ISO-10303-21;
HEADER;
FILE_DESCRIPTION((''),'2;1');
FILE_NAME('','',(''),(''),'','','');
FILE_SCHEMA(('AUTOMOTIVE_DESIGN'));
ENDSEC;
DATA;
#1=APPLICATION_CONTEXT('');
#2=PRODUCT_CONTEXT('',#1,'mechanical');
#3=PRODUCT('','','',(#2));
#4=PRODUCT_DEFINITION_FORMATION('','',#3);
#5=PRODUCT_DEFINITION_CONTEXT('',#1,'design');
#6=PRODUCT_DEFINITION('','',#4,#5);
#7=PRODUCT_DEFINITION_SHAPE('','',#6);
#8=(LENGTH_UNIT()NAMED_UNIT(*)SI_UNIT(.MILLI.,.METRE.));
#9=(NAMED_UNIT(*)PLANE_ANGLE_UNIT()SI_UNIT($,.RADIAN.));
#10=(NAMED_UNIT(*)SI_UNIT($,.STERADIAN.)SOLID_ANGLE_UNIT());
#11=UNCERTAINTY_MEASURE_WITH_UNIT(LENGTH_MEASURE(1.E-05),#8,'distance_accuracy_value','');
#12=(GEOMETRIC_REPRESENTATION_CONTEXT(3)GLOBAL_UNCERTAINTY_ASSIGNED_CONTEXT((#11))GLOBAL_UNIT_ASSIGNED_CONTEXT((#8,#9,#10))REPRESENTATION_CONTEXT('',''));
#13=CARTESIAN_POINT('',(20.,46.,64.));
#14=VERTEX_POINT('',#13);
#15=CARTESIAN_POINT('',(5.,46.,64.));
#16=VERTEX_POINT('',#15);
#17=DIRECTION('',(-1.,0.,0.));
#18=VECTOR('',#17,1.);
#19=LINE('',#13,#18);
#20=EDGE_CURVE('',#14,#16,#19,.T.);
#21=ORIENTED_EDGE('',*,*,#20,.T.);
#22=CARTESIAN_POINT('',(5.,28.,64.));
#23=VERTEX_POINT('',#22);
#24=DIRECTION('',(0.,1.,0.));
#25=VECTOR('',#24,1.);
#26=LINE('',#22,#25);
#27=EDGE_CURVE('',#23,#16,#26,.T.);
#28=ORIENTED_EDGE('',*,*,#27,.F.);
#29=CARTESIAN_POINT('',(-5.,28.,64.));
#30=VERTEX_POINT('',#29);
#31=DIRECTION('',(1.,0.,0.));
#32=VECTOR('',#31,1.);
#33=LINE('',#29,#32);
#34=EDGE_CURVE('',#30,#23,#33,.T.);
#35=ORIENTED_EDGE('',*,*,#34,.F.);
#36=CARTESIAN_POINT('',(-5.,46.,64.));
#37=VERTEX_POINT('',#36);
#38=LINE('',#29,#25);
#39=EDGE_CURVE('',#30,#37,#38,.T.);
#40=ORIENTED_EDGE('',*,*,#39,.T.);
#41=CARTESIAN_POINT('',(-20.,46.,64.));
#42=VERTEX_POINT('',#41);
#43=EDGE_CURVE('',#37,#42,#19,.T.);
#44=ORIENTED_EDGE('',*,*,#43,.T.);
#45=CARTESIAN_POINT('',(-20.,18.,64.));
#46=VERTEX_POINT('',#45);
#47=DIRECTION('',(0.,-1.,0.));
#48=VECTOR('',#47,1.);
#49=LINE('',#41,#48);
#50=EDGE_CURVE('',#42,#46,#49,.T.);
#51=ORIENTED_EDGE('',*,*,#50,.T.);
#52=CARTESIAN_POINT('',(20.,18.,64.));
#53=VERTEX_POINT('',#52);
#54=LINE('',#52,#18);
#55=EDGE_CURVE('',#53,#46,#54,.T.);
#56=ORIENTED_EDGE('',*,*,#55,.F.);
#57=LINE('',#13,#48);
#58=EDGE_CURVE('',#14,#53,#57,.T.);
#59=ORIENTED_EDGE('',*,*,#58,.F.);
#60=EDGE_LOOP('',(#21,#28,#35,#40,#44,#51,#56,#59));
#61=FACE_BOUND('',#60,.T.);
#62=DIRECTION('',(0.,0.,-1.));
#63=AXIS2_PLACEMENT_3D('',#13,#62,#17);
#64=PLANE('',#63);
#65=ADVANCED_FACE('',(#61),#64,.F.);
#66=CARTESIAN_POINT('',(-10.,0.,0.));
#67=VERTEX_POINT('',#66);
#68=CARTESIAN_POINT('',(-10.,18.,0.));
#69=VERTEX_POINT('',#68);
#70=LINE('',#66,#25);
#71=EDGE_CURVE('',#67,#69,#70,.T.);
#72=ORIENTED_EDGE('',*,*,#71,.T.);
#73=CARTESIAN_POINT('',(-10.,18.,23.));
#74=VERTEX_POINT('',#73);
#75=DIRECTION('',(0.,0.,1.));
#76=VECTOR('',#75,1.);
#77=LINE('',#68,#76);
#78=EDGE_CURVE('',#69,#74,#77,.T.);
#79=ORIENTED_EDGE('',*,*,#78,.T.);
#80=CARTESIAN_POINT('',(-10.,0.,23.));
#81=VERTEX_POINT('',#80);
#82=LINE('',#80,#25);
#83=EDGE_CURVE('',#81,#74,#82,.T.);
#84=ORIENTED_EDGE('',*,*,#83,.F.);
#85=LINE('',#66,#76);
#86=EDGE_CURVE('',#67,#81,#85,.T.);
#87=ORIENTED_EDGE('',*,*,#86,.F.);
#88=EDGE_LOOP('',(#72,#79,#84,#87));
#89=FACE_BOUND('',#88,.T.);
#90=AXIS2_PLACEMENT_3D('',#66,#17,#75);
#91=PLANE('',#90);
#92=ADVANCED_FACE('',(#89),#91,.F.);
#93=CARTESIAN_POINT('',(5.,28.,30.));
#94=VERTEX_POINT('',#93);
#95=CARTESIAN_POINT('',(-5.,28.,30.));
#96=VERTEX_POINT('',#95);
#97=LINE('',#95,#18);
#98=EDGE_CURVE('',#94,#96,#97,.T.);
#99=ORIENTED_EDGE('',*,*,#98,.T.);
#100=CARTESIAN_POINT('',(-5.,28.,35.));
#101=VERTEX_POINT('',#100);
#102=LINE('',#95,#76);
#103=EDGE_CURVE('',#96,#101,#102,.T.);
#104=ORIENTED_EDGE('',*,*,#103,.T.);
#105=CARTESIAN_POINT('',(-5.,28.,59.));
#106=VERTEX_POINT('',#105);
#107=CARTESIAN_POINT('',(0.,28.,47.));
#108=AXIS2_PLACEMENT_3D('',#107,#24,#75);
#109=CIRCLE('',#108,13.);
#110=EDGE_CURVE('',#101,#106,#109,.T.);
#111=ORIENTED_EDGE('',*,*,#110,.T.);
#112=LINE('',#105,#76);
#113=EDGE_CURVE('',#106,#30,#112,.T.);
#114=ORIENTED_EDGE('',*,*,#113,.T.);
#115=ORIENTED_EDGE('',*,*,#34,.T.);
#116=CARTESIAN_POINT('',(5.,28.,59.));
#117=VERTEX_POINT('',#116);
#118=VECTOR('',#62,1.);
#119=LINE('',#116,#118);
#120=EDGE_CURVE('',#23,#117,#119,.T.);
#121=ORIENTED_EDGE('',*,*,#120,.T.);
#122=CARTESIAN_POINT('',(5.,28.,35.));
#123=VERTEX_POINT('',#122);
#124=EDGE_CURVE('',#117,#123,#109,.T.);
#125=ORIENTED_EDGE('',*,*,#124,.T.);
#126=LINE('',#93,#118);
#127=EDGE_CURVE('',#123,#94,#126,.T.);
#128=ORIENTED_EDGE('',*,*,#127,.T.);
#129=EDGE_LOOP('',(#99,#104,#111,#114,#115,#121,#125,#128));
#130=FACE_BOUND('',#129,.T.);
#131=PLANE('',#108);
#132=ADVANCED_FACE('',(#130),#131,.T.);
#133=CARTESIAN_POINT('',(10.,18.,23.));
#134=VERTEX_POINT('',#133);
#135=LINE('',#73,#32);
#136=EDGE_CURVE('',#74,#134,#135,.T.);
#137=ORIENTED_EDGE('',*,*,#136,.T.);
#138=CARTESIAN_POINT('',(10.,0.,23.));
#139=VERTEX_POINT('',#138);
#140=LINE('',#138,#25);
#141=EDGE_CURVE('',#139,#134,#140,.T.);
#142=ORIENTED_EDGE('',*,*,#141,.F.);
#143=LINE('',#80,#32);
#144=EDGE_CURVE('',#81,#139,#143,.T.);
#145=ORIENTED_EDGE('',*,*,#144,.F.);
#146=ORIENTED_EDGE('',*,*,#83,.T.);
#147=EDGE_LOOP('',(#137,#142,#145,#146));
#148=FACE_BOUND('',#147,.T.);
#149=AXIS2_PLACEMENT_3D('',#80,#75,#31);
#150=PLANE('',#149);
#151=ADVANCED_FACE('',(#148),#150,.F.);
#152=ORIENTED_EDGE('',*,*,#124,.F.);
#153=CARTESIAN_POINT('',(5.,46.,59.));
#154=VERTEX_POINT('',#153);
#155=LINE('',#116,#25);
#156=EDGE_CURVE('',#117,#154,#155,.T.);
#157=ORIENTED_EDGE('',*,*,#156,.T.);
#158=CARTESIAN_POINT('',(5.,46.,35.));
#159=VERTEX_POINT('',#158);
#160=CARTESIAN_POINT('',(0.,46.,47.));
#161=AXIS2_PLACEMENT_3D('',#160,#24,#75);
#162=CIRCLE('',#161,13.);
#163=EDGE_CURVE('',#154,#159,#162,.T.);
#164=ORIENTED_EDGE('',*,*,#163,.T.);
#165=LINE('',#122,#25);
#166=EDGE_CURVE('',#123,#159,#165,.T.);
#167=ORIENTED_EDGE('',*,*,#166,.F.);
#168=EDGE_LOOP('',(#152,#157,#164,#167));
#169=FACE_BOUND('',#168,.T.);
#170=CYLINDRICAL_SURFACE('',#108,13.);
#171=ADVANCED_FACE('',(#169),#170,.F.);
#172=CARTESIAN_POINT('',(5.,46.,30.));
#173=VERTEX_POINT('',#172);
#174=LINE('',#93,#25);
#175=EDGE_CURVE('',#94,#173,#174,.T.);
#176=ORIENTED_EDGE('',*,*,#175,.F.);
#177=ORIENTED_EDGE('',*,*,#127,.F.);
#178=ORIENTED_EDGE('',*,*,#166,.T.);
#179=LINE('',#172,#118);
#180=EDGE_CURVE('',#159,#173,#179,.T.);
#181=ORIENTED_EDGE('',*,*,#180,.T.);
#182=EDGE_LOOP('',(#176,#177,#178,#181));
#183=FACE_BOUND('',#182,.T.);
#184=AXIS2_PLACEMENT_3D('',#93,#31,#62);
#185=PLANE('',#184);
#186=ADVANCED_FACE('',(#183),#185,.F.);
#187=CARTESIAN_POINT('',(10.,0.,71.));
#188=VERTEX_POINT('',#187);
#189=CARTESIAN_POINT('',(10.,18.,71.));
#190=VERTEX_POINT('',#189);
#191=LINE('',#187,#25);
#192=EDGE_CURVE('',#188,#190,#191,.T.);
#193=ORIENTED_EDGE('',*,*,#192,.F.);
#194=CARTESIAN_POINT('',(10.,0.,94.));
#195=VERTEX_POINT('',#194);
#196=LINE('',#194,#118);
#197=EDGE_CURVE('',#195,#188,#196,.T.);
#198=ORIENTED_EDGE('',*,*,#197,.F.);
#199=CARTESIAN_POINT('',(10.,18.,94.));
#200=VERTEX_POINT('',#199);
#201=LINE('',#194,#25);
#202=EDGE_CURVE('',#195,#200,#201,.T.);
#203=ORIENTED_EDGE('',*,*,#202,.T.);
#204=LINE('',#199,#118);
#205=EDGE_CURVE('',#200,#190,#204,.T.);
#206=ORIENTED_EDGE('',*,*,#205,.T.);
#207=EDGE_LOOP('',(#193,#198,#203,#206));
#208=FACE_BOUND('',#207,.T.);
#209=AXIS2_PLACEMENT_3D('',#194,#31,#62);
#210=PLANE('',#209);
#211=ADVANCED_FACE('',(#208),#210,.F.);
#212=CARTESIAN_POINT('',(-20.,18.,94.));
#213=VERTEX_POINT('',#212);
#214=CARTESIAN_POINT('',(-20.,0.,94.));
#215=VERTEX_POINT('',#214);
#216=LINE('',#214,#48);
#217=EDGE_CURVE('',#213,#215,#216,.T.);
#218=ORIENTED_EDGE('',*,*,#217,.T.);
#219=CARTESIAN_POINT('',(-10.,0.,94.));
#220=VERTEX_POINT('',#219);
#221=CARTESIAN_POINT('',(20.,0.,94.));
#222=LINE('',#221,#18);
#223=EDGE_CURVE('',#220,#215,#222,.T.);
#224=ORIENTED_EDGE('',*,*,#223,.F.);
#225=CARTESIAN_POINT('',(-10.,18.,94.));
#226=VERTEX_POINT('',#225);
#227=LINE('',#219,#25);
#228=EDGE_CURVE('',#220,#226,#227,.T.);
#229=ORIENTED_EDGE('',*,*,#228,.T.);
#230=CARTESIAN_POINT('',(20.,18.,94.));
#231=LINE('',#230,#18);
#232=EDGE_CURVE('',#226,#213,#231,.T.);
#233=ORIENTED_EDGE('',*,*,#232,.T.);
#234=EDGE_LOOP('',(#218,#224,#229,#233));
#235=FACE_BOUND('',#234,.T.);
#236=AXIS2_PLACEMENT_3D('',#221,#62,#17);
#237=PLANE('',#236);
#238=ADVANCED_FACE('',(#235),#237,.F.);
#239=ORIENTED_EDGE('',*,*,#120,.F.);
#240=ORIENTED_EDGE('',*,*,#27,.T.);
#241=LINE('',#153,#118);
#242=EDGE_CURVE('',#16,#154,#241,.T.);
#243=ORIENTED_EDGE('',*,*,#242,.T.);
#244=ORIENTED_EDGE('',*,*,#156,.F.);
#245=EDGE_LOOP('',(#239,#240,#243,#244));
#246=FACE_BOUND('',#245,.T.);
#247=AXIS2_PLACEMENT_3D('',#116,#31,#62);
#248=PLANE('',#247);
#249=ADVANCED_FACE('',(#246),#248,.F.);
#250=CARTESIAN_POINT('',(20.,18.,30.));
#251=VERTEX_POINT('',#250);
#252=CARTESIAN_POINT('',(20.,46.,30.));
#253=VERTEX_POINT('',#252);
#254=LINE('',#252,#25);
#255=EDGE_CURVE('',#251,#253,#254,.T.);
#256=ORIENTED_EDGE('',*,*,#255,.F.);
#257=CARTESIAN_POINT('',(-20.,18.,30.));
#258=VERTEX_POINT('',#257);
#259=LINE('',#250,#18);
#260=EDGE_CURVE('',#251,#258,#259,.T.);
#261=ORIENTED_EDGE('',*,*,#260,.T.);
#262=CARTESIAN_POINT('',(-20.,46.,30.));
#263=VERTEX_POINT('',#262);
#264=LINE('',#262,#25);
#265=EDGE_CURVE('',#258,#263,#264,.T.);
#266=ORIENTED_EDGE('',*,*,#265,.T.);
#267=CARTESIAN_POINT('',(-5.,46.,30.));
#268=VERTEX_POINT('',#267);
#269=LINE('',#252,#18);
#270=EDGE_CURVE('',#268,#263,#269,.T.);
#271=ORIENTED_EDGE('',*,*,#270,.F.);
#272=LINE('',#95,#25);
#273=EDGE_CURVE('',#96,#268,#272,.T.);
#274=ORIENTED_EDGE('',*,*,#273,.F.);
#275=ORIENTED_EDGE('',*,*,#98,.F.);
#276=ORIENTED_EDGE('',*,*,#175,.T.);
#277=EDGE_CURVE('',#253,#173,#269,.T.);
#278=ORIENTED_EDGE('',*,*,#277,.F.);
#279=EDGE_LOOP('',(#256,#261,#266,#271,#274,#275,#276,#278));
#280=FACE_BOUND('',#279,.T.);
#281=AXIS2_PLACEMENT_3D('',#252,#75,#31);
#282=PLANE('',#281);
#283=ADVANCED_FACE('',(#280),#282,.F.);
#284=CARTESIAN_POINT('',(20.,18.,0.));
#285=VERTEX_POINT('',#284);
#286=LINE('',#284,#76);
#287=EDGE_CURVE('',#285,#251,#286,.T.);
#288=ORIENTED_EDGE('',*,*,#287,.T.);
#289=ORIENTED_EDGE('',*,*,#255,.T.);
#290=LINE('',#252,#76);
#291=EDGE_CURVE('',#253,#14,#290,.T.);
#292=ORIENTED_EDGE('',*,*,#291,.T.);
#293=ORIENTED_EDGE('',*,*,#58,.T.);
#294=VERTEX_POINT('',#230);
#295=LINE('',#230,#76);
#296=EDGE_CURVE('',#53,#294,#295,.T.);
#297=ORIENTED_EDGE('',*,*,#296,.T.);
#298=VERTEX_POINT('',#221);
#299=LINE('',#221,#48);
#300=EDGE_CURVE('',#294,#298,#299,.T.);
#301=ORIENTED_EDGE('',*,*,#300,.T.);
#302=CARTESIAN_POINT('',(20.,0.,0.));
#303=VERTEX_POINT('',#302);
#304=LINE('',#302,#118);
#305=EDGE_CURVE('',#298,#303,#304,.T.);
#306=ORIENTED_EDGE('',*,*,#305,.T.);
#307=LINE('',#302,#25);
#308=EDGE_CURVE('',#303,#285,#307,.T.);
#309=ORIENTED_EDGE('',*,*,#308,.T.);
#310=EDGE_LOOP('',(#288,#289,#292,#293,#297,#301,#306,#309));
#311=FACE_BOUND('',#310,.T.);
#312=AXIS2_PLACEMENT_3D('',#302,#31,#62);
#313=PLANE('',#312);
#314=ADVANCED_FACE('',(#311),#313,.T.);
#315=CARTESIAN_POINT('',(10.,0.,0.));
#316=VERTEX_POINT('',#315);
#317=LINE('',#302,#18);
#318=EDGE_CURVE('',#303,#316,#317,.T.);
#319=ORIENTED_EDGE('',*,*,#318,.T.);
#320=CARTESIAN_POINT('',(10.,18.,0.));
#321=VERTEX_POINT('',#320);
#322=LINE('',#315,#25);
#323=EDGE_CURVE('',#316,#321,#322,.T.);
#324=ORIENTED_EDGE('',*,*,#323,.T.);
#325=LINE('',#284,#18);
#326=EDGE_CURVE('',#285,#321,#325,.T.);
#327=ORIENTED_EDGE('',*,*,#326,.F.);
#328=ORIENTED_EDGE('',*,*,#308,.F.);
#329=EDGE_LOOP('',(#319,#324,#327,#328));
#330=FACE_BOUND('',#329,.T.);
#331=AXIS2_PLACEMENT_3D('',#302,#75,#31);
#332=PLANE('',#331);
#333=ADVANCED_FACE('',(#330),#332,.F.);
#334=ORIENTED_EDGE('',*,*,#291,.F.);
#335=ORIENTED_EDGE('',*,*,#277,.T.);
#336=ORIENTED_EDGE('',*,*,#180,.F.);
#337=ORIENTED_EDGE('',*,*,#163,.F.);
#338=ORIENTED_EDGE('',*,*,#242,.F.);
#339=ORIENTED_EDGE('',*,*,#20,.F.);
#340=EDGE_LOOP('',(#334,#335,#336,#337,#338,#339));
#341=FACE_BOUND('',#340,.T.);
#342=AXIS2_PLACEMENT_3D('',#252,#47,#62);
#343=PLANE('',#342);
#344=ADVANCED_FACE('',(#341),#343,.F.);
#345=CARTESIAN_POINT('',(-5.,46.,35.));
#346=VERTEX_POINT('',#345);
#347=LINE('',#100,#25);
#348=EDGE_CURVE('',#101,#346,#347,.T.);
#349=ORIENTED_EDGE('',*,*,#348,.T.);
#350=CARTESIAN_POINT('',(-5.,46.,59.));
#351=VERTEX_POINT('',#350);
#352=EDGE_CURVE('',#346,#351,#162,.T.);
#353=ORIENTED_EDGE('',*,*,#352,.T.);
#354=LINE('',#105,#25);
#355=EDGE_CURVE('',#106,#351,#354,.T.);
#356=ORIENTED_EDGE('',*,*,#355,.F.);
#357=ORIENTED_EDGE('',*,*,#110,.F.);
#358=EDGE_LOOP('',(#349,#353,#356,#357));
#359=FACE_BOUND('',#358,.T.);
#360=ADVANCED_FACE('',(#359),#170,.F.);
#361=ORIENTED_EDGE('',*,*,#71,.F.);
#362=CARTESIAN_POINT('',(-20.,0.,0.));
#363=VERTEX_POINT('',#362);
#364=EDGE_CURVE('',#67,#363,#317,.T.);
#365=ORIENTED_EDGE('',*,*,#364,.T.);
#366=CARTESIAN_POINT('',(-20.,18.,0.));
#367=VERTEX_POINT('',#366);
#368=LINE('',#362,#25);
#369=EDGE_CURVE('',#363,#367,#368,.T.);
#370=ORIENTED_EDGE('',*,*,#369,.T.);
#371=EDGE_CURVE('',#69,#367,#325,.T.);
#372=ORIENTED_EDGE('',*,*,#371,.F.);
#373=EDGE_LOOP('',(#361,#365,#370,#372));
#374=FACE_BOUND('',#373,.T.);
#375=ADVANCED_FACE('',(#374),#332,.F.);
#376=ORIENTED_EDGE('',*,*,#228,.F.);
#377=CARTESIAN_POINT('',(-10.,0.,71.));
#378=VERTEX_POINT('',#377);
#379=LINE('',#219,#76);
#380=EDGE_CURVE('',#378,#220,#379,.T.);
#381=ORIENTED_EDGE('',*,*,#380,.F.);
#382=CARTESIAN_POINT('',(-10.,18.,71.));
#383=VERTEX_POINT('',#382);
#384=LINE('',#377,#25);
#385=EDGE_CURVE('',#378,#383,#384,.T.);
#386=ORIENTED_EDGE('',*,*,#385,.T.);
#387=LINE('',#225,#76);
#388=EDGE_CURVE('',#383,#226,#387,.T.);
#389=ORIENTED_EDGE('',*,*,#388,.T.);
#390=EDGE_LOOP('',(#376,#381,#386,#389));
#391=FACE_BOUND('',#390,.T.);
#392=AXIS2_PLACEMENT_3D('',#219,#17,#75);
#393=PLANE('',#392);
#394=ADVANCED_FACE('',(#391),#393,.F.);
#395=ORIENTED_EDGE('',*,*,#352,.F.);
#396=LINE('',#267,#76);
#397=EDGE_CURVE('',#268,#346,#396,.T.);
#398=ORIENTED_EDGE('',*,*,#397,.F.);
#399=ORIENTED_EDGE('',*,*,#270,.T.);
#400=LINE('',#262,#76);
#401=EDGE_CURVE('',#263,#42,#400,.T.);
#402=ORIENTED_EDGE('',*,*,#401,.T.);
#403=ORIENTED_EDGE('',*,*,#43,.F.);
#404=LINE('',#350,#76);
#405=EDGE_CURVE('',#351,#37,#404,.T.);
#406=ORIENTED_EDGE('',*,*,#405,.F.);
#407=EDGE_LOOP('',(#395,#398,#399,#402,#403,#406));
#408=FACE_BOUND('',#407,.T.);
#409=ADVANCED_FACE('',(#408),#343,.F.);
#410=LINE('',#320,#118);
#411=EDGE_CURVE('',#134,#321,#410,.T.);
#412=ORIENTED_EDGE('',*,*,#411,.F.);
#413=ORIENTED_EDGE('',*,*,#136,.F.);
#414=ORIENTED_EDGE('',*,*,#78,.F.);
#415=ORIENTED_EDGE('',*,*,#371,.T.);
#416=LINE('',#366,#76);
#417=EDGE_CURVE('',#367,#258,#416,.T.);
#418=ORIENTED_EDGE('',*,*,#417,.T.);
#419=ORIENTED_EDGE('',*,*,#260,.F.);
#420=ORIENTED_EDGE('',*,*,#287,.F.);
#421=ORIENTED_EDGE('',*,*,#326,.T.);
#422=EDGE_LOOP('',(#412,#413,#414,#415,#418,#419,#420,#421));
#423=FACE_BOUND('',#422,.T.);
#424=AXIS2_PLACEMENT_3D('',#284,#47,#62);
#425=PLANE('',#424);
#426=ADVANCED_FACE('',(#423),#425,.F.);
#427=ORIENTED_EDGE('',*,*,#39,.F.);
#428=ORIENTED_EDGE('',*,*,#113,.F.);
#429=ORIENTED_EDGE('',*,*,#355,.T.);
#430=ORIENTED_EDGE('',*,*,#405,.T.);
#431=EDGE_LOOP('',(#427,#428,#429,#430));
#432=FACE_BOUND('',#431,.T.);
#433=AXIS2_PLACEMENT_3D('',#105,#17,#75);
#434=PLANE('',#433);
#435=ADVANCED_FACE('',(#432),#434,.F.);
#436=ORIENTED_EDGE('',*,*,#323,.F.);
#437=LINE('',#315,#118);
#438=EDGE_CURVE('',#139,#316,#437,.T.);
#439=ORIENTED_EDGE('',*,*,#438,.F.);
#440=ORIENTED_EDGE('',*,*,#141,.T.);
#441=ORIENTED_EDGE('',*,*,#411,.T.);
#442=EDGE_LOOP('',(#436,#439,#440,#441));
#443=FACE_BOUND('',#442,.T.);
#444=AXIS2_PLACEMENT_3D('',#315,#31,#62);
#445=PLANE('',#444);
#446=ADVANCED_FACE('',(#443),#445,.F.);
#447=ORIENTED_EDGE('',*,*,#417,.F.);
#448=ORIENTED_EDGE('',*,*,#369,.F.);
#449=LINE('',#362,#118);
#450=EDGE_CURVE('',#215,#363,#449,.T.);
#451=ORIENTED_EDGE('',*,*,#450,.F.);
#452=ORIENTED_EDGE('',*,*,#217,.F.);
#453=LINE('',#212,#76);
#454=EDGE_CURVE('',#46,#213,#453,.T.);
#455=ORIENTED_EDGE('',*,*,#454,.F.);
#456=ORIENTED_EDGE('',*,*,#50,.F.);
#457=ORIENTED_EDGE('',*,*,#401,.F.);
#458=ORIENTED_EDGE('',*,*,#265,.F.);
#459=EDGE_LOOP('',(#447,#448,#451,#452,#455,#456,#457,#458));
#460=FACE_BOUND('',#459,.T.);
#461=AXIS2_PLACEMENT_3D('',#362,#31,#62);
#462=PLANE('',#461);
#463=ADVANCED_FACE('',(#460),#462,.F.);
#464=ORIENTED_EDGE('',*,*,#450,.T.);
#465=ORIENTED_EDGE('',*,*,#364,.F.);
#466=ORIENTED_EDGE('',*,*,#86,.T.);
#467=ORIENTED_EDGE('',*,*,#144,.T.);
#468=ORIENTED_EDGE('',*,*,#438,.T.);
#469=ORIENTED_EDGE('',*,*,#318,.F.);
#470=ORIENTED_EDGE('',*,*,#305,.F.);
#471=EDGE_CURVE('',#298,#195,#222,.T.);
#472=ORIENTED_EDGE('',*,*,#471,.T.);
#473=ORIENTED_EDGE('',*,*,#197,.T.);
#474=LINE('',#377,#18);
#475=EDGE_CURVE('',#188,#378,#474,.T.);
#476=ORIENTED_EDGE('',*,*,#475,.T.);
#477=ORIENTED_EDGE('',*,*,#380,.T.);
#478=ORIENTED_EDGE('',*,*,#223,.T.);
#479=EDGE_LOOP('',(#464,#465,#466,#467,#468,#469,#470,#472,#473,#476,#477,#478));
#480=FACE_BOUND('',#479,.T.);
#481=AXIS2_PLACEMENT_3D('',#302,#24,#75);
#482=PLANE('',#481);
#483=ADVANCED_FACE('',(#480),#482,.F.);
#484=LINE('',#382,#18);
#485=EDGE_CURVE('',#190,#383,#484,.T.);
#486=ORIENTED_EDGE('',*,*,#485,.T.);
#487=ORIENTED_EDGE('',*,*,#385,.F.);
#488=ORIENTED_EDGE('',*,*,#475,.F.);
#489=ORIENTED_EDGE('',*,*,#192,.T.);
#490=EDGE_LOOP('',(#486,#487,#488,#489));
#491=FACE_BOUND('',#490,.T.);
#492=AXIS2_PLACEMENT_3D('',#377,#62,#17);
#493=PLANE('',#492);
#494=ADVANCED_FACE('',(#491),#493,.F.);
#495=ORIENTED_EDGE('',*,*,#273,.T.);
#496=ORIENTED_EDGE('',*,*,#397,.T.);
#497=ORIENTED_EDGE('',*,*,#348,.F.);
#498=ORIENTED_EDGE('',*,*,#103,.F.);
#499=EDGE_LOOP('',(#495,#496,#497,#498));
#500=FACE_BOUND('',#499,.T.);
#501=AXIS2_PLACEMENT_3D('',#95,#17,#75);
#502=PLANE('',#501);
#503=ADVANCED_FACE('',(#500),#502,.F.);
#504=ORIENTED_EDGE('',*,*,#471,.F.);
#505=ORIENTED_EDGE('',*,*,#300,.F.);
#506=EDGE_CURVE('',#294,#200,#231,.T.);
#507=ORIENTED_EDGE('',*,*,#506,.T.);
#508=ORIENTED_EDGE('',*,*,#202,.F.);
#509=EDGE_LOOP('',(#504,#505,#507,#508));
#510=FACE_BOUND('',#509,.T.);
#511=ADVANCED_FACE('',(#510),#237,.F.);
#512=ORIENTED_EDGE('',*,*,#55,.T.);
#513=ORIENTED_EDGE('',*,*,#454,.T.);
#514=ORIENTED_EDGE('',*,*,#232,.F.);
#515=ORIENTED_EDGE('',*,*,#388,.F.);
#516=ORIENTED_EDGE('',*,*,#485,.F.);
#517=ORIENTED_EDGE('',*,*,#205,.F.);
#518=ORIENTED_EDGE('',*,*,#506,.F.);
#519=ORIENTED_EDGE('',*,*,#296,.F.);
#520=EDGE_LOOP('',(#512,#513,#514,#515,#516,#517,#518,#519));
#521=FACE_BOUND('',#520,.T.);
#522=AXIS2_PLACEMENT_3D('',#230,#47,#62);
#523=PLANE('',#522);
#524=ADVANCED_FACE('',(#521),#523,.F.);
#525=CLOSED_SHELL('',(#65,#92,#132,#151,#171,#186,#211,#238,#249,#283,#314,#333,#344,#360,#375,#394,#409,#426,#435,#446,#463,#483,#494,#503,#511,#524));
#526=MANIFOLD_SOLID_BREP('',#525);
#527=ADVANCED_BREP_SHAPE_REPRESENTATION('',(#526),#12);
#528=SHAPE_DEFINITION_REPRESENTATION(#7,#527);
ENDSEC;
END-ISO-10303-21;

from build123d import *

# Parameters (mm, degrees)
SALIENTE_EXTRUIR1_DEPTH = 20
CROQUIS2_W              = 20
CROQUIS2_H              = 23
CORTAR_EXTRUIR1_DEPTH   = 101.09995005
CORTAR_EXTRUIR3_DEPTH   = 18


with BuildPart() as part:
    # Croquis1 → Saliente-Extruir1 (new, symmetric)
    with BuildSketch(Plane(origin=(0, 0, 0), x_dir=(0, 0, -1), z_dir=(1, 0, 0))):
        Polygon((0, 0), (-94, 0), (-94, 18), (-64, 18), (-64, 46), (-30, 46), (-30, 18), (0, 18), align=None)
    extrude(amount=SALIENTE_EXTRUIR1_DEPTH, both=True)

    # Croquis2 → Cortar-Extruir1 (cut, through all)
    with BuildSketch(Plane(origin=(0, 18, 0), x_dir=(1, 0, 0), z_dir=(0, 1, 0))):
        with Locations((0, -82.5)):
            Rectangle(CROQUIS2_W, CROQUIS2_H)
        with Locations((0, -11.5)):
            Rectangle(CROQUIS2_W, CROQUIS2_H)
    extrude(amount=-CORTAR_EXTRUIR1_DEPTH, mode=Mode.SUBTRACT)

    # Croquis3 → Cortar-Extruir3 (cut)
    with BuildSketch(Plane(origin=(0, 46, 0), x_dir=(1, 0, 0), z_dir=(0, 1, 0))):
        with BuildLine():
            Line((5, -59), (5, -64))
            Line((5, -64), (-5, -64))
            Line((-5, -64), (-5, -59))
            ThreePointArc((-5, -59), (-13, -47), (-5, -35))
            Line((-5, -35), (-5, -30))
            Line((-5, -30), (5, -30))
            Line((5, -30), (5, -35))
            ThreePointArc((5, -35), (13, -47), (5, -59))
        make_face()
    extrude(amount=-CORTAR_EXTRUIR3_DEPTH, mode=Mode.SUBTRACT)


solid = part.part
